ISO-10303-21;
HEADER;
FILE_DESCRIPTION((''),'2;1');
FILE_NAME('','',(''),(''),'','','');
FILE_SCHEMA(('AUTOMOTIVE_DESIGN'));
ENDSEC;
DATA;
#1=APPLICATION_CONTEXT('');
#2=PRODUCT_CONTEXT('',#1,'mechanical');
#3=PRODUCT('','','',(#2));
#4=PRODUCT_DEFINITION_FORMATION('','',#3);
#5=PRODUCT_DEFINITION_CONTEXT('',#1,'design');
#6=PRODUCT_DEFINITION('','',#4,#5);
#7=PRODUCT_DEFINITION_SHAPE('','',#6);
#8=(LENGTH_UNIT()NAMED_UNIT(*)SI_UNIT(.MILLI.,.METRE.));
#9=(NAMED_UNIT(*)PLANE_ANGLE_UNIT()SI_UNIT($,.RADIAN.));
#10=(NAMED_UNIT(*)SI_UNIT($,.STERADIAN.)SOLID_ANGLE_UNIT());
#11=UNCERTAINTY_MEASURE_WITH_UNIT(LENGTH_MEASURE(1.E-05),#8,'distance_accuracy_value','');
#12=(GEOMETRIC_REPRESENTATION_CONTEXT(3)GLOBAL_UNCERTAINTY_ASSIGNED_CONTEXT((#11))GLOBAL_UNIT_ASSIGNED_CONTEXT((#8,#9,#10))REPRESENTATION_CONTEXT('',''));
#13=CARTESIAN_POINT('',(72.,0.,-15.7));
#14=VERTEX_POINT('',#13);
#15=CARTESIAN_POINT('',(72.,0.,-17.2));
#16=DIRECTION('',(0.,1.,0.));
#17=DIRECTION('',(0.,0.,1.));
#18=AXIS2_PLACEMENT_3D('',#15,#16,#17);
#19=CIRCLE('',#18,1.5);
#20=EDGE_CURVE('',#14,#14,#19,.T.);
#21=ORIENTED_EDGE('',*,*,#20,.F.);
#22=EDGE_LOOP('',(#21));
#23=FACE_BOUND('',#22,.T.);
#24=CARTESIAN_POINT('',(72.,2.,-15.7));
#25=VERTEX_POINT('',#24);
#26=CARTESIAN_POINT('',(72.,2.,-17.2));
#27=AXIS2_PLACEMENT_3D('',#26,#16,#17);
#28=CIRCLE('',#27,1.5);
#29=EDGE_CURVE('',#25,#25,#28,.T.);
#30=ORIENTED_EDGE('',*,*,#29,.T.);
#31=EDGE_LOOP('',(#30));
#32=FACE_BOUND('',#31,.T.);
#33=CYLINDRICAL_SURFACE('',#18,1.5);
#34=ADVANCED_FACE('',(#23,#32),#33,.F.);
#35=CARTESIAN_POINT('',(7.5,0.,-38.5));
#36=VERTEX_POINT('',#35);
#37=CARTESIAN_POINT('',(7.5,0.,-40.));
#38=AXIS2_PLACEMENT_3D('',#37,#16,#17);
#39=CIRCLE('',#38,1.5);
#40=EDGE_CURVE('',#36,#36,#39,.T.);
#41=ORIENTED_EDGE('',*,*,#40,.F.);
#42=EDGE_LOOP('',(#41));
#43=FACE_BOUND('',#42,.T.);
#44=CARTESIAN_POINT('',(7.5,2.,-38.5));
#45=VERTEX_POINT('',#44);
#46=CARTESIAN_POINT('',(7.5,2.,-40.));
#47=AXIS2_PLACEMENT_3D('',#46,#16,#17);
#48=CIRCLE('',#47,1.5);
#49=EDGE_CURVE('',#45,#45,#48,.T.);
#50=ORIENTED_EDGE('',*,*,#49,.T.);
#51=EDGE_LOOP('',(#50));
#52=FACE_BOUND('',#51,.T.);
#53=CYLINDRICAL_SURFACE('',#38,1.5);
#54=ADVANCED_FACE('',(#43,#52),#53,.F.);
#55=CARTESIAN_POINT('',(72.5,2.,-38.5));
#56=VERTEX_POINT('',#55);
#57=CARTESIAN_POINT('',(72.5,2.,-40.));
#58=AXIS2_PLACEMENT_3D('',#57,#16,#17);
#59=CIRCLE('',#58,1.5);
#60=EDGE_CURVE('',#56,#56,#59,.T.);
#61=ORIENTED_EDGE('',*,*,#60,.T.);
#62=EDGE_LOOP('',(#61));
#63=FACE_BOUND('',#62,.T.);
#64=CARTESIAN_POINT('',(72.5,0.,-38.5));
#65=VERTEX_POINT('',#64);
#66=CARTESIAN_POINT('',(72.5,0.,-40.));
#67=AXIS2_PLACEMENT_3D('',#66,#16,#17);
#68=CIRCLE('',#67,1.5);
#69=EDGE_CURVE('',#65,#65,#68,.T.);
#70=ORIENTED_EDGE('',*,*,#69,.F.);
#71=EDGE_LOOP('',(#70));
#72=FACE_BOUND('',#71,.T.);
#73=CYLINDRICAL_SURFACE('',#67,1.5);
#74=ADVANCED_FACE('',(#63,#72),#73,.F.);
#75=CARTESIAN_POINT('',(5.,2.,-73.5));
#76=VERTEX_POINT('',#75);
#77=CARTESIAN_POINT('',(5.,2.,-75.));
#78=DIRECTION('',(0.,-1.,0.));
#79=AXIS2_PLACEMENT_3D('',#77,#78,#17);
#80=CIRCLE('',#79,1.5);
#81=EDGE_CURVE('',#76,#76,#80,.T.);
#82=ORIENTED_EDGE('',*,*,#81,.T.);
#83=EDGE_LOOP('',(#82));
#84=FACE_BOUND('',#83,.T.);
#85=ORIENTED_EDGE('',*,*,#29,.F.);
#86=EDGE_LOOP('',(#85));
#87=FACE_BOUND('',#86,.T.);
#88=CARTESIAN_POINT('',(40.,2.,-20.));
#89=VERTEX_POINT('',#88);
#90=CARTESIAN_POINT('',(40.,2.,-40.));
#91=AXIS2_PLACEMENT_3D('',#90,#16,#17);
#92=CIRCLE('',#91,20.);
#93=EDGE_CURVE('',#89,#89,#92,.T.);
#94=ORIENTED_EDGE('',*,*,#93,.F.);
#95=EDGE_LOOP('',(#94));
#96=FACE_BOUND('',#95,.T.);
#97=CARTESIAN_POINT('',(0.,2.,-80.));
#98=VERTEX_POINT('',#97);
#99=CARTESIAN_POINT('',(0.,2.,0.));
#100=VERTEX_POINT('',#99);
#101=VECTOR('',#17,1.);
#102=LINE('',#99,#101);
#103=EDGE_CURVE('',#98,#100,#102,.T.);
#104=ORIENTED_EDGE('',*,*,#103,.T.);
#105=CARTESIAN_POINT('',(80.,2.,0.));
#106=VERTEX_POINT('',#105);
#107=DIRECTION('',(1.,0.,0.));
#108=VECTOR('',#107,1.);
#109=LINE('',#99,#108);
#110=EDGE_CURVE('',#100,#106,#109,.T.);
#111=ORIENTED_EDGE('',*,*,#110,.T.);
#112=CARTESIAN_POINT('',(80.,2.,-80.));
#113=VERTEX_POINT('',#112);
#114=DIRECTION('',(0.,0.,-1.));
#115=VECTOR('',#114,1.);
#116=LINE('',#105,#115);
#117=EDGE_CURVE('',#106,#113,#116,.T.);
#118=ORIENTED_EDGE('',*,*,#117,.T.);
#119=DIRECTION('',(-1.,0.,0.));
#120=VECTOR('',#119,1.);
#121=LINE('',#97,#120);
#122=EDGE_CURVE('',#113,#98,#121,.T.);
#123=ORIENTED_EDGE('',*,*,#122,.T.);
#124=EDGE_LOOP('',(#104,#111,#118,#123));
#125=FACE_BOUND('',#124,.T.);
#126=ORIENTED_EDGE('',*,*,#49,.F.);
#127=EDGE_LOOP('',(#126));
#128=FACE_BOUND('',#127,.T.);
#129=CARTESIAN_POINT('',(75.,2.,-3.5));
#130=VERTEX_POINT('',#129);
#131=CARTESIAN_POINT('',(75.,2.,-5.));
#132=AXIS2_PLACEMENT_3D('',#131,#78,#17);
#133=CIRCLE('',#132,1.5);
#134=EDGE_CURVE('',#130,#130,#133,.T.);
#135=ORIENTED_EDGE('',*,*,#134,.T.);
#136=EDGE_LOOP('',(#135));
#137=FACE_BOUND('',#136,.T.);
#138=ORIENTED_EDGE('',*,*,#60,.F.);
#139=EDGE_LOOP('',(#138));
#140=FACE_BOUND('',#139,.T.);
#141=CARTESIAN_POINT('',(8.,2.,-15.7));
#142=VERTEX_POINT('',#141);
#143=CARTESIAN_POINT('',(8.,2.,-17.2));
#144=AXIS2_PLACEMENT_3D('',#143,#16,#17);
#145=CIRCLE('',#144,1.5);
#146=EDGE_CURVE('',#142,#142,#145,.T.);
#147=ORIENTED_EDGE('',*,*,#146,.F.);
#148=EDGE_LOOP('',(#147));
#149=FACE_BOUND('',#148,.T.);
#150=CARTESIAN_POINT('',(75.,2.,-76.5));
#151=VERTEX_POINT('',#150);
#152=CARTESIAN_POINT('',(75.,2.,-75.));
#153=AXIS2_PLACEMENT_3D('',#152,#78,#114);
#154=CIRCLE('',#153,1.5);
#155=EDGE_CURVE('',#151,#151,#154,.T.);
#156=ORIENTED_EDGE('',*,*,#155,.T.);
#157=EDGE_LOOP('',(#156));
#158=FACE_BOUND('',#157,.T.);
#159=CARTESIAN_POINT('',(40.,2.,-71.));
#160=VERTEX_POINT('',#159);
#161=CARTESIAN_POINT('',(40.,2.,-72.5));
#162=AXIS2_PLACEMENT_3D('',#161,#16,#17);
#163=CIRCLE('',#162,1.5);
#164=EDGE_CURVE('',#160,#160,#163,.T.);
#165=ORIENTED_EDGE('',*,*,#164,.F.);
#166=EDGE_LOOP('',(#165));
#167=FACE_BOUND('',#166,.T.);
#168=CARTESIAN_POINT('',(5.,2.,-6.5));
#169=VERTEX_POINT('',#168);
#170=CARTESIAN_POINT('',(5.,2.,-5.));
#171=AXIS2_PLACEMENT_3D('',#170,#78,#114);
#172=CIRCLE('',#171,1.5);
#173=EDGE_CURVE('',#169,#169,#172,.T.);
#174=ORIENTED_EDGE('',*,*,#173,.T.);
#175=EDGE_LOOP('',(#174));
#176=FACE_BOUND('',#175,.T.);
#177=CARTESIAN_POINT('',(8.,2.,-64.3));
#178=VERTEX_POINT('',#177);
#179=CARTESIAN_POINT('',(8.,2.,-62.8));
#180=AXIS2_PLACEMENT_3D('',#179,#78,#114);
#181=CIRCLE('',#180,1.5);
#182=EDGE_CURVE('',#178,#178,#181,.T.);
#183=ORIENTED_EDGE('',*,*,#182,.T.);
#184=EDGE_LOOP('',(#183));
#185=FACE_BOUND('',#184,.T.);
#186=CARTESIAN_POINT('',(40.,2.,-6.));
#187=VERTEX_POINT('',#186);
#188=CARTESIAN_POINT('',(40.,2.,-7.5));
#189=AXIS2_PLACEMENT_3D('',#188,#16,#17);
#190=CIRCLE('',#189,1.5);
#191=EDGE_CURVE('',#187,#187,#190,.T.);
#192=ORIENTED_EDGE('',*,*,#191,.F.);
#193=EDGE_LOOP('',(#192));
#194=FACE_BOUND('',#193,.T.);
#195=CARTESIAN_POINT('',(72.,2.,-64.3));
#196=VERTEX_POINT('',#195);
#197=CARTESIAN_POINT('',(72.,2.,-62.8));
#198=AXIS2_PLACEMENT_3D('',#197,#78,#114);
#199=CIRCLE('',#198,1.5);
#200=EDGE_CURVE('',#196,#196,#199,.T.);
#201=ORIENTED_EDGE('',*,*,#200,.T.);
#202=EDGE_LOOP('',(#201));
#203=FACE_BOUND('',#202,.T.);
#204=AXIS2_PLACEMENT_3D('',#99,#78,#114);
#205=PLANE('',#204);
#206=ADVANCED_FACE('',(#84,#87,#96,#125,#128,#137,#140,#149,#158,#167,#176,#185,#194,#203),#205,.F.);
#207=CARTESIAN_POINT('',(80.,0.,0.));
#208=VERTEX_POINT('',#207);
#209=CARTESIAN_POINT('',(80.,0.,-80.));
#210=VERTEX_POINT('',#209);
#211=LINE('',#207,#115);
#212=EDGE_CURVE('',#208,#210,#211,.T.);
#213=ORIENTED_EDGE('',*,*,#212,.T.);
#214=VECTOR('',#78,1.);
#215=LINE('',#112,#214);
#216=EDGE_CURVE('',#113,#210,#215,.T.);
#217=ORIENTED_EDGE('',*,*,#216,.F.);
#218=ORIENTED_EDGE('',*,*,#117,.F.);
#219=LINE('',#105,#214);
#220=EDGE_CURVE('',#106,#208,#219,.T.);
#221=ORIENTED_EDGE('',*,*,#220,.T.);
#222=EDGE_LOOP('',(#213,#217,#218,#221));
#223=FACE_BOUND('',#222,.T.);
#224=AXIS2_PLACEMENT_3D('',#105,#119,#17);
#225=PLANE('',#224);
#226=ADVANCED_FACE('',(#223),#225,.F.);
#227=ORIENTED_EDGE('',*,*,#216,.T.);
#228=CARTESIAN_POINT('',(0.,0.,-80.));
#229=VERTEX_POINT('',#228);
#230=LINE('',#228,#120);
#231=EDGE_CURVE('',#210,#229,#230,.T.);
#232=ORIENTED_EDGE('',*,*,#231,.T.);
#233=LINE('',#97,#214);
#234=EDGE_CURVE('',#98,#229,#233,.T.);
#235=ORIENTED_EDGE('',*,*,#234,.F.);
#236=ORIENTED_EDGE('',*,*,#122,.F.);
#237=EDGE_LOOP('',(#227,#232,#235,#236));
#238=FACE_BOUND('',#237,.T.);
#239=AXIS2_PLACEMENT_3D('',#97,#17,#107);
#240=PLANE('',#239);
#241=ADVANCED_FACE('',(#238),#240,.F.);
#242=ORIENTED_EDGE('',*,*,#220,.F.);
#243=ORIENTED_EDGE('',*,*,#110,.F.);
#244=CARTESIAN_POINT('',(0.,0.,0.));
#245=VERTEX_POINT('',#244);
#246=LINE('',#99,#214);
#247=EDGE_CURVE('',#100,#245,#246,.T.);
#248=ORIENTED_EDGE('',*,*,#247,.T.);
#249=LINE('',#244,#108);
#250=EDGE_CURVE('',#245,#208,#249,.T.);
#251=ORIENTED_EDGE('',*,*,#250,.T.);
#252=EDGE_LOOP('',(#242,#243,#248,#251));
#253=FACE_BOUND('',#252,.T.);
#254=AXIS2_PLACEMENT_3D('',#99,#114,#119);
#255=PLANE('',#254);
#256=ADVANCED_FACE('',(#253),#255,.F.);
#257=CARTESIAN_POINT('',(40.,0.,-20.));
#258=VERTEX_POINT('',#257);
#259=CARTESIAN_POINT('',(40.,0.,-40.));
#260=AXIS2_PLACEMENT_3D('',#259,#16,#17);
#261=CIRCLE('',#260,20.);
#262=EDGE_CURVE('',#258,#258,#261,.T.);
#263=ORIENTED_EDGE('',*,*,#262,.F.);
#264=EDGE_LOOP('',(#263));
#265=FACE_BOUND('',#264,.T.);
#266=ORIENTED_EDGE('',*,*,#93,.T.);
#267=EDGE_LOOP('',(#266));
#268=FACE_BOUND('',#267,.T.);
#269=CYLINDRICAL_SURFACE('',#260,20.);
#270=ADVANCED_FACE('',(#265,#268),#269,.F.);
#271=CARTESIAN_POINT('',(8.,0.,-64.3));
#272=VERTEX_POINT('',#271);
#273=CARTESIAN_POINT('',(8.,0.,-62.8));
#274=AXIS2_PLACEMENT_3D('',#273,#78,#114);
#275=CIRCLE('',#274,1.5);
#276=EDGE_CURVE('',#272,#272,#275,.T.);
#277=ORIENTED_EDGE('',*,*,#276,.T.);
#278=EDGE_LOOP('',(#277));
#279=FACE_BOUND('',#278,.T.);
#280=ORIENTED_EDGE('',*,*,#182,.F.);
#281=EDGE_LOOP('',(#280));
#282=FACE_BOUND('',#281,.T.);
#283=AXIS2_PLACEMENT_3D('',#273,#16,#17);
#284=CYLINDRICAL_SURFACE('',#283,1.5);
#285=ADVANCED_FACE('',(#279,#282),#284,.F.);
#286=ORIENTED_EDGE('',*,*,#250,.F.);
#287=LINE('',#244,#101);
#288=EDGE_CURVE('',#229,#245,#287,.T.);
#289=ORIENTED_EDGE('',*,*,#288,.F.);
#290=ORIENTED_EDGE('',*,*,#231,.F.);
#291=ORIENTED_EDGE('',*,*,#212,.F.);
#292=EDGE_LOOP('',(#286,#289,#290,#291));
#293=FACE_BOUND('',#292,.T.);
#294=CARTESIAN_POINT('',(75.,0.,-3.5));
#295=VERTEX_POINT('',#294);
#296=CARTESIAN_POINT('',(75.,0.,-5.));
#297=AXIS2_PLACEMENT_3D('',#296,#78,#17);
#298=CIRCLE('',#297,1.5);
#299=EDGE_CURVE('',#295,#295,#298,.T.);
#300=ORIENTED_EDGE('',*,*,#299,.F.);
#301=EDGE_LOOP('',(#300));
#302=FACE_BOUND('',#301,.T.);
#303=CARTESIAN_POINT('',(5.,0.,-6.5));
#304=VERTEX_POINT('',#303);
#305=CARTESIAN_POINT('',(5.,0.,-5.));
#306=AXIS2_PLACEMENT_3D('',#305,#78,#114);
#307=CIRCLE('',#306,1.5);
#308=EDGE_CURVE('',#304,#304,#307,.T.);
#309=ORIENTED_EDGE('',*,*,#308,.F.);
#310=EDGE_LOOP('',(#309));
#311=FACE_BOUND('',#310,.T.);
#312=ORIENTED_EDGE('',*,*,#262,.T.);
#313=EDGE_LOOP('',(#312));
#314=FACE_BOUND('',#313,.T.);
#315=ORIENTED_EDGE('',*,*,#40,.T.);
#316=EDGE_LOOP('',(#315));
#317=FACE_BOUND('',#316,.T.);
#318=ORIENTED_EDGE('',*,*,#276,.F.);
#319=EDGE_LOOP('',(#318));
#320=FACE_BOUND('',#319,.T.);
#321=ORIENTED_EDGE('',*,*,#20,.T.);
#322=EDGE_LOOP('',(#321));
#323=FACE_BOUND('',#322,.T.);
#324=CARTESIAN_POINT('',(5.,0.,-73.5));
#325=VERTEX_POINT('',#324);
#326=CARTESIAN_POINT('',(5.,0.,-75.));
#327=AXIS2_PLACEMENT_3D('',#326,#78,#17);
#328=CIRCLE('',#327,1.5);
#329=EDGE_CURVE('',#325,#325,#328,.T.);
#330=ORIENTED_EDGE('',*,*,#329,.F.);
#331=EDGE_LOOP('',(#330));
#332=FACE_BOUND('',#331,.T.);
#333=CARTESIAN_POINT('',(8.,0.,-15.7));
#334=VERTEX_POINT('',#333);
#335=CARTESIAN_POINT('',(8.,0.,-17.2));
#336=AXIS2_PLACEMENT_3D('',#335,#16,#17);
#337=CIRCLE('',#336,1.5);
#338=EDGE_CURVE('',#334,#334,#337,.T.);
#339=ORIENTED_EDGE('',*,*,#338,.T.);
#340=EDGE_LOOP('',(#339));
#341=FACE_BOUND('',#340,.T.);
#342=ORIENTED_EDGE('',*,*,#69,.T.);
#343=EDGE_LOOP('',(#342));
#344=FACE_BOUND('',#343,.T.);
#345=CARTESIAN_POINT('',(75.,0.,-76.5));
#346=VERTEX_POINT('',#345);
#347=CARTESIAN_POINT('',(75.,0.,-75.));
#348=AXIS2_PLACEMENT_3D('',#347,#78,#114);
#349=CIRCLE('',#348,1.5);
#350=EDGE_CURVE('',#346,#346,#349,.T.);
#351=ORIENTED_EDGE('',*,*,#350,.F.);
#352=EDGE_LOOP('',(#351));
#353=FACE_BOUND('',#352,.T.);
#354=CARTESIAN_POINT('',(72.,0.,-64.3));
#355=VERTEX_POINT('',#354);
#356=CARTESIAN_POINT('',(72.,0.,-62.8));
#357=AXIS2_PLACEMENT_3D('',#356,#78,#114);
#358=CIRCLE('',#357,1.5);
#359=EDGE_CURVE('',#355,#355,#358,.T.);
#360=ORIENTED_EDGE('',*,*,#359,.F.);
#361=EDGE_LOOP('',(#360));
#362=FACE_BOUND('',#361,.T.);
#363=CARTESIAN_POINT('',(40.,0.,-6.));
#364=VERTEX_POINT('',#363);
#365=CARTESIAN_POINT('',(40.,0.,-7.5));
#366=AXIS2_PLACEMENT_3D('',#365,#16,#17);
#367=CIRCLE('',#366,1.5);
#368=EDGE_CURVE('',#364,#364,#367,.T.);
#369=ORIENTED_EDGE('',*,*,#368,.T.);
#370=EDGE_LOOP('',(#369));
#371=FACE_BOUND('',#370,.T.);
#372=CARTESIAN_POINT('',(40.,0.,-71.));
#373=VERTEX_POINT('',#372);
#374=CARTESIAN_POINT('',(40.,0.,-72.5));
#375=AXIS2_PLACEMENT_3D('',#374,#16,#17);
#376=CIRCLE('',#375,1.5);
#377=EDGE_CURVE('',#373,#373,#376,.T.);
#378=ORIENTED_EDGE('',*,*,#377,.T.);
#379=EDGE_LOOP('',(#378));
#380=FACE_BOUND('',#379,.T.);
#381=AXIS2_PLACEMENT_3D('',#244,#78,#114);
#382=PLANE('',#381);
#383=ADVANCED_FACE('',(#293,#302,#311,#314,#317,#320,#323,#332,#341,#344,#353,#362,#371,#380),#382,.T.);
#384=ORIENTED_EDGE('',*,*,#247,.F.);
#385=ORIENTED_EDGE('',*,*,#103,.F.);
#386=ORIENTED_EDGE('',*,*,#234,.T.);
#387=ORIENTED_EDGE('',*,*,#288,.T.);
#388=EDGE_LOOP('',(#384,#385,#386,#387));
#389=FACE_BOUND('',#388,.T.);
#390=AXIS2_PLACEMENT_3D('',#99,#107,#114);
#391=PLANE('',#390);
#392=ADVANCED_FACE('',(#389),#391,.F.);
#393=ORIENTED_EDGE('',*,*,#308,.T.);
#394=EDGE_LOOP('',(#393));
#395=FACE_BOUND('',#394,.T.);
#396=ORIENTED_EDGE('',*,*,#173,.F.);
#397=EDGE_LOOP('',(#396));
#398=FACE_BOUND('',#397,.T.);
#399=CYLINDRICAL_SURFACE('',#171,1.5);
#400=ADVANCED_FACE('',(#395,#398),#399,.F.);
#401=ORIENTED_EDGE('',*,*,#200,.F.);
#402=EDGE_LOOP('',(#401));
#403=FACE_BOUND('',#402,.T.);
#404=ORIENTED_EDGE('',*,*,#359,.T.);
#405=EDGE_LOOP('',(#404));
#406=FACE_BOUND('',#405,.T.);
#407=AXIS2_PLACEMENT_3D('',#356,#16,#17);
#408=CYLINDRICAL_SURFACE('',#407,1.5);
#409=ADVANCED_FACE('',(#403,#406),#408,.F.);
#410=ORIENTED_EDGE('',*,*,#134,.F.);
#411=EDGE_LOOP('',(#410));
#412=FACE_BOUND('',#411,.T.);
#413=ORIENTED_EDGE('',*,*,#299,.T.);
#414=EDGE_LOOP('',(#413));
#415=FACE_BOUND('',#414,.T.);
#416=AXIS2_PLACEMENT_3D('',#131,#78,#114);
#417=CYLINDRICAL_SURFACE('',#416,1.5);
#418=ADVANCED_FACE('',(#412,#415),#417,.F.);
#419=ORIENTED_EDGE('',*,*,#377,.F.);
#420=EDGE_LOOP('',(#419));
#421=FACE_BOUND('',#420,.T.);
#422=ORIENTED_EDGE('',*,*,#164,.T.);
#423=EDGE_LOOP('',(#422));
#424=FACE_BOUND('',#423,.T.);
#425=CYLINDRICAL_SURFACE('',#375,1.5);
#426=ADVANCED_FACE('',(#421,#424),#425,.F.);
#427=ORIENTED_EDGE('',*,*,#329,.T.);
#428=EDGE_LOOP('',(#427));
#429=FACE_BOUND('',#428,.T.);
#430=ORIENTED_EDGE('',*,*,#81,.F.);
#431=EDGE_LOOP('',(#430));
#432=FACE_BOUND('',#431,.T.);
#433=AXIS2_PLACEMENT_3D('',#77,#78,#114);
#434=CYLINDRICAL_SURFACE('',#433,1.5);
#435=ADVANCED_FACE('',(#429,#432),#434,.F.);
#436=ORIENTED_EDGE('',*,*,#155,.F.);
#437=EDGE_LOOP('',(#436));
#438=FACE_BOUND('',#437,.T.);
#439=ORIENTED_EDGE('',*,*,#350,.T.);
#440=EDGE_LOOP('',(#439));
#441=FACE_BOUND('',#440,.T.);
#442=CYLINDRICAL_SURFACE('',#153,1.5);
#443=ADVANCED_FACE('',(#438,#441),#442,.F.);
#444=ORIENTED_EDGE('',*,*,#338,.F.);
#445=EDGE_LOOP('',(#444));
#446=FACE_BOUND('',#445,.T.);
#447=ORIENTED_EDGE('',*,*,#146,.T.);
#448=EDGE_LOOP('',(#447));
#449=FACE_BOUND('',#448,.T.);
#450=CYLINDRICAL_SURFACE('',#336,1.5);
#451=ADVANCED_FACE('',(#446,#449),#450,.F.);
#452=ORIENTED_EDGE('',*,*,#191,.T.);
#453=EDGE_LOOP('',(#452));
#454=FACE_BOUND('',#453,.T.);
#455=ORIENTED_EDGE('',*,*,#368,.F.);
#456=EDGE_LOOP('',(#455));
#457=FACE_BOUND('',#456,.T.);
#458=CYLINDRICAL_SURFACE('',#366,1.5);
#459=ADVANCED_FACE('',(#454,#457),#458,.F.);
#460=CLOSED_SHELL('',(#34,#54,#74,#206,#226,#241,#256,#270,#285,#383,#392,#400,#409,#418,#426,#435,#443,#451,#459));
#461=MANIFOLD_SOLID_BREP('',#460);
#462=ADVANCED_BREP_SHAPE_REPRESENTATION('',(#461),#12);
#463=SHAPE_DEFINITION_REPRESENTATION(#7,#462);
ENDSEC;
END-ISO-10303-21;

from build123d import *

# Parameters (mm, degrees)
SKETCH1_W           = 80
SKETCH1_H           = 80
BOSS_EXTRUDE1_DEPTH = 2
SKETCH4_R           = 1.5
CUT_EXTRUDE3_DEPTH  = 114.154761279
SKETCH6_R           = 1.5
CUT_EXTRUDE4_DEPTH  = 114.154761279
SKETCH8_R           = 20
SKETCH8_R_2         = 1.5
CUT_EXTRUDE6_DEPTH  = 114.154761279


with BuildPart() as part:
    # Sketch1 → Boss-Extrude1 (new body)
    with BuildSketch(Plane(origin=(0, 0, 0), x_dir=(1, 0, 0), z_dir=(0, 1, 0))):
        with Locations((40, 40)):
            Rectangle(SKETCH1_W, SKETCH1_H)
    extrude(amount=BOSS_EXTRUDE1_DEPTH)

    # Sketch4 → Cut-Extrude3 (cut, through all)
    with BuildSketch(Plane.XZ):
        with Locations(Location((5, -5, 0), (0, 0, 270))):
            Circle(SKETCH4_R)
        with Locations(Location((75, -5, 0), (0, 0, 90))):
            Circle(SKETCH4_R)
        with Locations(Location((75, -75, 0), (0, 0, 270))):
            Circle(SKETCH4_R)
        with Locations(Location((5, -75, 0), (0, 0, 90))):
            Circle(SKETCH4_R)
    extrude(amount=-CUT_EXTRUDE3_DEPTH, mode=Mode.SUBTRACT)

    # Sketch6 → Cut-Extrude4 (cut, through all)
    with BuildSketch(Plane(origin=(0, 2, 0), x_dir=(1, 0, 0), z_dir=(0, 1, 0))):
        with Locations(Location((8, 17.2, 0), (0, 0, 270))):
            Circle(SKETCH6_R)
        with Locations(Location((72, 17.2, 0), (0, 0, 270))):
            Circle(SKETCH6_R)
    cut_extrude4 = extrude(amount=-CUT_EXTRUDE4_DEPTH, mode=Mode.SUBTRACT)

    # Mirror1: Cut-Extrude4 across plane
    add(cut_extrude4.mirror(Plane.XY.offset(-40)), mode=Mode.SUBTRACT)

    # Sketch8 → Cut-Extrude6 (cut, through all)
    with BuildSketch(Plane(origin=(0, 2, 0), x_dir=(1, 0, 0), z_dir=(0, 1, 0))):
        with Locations(Location((40, 40, 0), (0, 0, 270))):
            Circle(SKETCH8_R)
        with Locations(Location((40, 72.5, 0), (0, 0, 270))):
            Circle(SKETCH8_R_2)
        with Locations(Location((72.5, 40, 0), (0, 0, 270))):
            Circle(SKETCH8_R_2)
        with Locations(Location((40, 7.5, 0), (0, 0, 270))):
            Circle(SKETCH8_R_2)
        with Locations(Location((7.5, 40, 0), (0, 0, 270))):
            Circle(SKETCH8_R_2)
    extrude(amount=-CUT_EXTRUDE6_DEPTH, mode=Mode.SUBTRACT)


solid = part.part
